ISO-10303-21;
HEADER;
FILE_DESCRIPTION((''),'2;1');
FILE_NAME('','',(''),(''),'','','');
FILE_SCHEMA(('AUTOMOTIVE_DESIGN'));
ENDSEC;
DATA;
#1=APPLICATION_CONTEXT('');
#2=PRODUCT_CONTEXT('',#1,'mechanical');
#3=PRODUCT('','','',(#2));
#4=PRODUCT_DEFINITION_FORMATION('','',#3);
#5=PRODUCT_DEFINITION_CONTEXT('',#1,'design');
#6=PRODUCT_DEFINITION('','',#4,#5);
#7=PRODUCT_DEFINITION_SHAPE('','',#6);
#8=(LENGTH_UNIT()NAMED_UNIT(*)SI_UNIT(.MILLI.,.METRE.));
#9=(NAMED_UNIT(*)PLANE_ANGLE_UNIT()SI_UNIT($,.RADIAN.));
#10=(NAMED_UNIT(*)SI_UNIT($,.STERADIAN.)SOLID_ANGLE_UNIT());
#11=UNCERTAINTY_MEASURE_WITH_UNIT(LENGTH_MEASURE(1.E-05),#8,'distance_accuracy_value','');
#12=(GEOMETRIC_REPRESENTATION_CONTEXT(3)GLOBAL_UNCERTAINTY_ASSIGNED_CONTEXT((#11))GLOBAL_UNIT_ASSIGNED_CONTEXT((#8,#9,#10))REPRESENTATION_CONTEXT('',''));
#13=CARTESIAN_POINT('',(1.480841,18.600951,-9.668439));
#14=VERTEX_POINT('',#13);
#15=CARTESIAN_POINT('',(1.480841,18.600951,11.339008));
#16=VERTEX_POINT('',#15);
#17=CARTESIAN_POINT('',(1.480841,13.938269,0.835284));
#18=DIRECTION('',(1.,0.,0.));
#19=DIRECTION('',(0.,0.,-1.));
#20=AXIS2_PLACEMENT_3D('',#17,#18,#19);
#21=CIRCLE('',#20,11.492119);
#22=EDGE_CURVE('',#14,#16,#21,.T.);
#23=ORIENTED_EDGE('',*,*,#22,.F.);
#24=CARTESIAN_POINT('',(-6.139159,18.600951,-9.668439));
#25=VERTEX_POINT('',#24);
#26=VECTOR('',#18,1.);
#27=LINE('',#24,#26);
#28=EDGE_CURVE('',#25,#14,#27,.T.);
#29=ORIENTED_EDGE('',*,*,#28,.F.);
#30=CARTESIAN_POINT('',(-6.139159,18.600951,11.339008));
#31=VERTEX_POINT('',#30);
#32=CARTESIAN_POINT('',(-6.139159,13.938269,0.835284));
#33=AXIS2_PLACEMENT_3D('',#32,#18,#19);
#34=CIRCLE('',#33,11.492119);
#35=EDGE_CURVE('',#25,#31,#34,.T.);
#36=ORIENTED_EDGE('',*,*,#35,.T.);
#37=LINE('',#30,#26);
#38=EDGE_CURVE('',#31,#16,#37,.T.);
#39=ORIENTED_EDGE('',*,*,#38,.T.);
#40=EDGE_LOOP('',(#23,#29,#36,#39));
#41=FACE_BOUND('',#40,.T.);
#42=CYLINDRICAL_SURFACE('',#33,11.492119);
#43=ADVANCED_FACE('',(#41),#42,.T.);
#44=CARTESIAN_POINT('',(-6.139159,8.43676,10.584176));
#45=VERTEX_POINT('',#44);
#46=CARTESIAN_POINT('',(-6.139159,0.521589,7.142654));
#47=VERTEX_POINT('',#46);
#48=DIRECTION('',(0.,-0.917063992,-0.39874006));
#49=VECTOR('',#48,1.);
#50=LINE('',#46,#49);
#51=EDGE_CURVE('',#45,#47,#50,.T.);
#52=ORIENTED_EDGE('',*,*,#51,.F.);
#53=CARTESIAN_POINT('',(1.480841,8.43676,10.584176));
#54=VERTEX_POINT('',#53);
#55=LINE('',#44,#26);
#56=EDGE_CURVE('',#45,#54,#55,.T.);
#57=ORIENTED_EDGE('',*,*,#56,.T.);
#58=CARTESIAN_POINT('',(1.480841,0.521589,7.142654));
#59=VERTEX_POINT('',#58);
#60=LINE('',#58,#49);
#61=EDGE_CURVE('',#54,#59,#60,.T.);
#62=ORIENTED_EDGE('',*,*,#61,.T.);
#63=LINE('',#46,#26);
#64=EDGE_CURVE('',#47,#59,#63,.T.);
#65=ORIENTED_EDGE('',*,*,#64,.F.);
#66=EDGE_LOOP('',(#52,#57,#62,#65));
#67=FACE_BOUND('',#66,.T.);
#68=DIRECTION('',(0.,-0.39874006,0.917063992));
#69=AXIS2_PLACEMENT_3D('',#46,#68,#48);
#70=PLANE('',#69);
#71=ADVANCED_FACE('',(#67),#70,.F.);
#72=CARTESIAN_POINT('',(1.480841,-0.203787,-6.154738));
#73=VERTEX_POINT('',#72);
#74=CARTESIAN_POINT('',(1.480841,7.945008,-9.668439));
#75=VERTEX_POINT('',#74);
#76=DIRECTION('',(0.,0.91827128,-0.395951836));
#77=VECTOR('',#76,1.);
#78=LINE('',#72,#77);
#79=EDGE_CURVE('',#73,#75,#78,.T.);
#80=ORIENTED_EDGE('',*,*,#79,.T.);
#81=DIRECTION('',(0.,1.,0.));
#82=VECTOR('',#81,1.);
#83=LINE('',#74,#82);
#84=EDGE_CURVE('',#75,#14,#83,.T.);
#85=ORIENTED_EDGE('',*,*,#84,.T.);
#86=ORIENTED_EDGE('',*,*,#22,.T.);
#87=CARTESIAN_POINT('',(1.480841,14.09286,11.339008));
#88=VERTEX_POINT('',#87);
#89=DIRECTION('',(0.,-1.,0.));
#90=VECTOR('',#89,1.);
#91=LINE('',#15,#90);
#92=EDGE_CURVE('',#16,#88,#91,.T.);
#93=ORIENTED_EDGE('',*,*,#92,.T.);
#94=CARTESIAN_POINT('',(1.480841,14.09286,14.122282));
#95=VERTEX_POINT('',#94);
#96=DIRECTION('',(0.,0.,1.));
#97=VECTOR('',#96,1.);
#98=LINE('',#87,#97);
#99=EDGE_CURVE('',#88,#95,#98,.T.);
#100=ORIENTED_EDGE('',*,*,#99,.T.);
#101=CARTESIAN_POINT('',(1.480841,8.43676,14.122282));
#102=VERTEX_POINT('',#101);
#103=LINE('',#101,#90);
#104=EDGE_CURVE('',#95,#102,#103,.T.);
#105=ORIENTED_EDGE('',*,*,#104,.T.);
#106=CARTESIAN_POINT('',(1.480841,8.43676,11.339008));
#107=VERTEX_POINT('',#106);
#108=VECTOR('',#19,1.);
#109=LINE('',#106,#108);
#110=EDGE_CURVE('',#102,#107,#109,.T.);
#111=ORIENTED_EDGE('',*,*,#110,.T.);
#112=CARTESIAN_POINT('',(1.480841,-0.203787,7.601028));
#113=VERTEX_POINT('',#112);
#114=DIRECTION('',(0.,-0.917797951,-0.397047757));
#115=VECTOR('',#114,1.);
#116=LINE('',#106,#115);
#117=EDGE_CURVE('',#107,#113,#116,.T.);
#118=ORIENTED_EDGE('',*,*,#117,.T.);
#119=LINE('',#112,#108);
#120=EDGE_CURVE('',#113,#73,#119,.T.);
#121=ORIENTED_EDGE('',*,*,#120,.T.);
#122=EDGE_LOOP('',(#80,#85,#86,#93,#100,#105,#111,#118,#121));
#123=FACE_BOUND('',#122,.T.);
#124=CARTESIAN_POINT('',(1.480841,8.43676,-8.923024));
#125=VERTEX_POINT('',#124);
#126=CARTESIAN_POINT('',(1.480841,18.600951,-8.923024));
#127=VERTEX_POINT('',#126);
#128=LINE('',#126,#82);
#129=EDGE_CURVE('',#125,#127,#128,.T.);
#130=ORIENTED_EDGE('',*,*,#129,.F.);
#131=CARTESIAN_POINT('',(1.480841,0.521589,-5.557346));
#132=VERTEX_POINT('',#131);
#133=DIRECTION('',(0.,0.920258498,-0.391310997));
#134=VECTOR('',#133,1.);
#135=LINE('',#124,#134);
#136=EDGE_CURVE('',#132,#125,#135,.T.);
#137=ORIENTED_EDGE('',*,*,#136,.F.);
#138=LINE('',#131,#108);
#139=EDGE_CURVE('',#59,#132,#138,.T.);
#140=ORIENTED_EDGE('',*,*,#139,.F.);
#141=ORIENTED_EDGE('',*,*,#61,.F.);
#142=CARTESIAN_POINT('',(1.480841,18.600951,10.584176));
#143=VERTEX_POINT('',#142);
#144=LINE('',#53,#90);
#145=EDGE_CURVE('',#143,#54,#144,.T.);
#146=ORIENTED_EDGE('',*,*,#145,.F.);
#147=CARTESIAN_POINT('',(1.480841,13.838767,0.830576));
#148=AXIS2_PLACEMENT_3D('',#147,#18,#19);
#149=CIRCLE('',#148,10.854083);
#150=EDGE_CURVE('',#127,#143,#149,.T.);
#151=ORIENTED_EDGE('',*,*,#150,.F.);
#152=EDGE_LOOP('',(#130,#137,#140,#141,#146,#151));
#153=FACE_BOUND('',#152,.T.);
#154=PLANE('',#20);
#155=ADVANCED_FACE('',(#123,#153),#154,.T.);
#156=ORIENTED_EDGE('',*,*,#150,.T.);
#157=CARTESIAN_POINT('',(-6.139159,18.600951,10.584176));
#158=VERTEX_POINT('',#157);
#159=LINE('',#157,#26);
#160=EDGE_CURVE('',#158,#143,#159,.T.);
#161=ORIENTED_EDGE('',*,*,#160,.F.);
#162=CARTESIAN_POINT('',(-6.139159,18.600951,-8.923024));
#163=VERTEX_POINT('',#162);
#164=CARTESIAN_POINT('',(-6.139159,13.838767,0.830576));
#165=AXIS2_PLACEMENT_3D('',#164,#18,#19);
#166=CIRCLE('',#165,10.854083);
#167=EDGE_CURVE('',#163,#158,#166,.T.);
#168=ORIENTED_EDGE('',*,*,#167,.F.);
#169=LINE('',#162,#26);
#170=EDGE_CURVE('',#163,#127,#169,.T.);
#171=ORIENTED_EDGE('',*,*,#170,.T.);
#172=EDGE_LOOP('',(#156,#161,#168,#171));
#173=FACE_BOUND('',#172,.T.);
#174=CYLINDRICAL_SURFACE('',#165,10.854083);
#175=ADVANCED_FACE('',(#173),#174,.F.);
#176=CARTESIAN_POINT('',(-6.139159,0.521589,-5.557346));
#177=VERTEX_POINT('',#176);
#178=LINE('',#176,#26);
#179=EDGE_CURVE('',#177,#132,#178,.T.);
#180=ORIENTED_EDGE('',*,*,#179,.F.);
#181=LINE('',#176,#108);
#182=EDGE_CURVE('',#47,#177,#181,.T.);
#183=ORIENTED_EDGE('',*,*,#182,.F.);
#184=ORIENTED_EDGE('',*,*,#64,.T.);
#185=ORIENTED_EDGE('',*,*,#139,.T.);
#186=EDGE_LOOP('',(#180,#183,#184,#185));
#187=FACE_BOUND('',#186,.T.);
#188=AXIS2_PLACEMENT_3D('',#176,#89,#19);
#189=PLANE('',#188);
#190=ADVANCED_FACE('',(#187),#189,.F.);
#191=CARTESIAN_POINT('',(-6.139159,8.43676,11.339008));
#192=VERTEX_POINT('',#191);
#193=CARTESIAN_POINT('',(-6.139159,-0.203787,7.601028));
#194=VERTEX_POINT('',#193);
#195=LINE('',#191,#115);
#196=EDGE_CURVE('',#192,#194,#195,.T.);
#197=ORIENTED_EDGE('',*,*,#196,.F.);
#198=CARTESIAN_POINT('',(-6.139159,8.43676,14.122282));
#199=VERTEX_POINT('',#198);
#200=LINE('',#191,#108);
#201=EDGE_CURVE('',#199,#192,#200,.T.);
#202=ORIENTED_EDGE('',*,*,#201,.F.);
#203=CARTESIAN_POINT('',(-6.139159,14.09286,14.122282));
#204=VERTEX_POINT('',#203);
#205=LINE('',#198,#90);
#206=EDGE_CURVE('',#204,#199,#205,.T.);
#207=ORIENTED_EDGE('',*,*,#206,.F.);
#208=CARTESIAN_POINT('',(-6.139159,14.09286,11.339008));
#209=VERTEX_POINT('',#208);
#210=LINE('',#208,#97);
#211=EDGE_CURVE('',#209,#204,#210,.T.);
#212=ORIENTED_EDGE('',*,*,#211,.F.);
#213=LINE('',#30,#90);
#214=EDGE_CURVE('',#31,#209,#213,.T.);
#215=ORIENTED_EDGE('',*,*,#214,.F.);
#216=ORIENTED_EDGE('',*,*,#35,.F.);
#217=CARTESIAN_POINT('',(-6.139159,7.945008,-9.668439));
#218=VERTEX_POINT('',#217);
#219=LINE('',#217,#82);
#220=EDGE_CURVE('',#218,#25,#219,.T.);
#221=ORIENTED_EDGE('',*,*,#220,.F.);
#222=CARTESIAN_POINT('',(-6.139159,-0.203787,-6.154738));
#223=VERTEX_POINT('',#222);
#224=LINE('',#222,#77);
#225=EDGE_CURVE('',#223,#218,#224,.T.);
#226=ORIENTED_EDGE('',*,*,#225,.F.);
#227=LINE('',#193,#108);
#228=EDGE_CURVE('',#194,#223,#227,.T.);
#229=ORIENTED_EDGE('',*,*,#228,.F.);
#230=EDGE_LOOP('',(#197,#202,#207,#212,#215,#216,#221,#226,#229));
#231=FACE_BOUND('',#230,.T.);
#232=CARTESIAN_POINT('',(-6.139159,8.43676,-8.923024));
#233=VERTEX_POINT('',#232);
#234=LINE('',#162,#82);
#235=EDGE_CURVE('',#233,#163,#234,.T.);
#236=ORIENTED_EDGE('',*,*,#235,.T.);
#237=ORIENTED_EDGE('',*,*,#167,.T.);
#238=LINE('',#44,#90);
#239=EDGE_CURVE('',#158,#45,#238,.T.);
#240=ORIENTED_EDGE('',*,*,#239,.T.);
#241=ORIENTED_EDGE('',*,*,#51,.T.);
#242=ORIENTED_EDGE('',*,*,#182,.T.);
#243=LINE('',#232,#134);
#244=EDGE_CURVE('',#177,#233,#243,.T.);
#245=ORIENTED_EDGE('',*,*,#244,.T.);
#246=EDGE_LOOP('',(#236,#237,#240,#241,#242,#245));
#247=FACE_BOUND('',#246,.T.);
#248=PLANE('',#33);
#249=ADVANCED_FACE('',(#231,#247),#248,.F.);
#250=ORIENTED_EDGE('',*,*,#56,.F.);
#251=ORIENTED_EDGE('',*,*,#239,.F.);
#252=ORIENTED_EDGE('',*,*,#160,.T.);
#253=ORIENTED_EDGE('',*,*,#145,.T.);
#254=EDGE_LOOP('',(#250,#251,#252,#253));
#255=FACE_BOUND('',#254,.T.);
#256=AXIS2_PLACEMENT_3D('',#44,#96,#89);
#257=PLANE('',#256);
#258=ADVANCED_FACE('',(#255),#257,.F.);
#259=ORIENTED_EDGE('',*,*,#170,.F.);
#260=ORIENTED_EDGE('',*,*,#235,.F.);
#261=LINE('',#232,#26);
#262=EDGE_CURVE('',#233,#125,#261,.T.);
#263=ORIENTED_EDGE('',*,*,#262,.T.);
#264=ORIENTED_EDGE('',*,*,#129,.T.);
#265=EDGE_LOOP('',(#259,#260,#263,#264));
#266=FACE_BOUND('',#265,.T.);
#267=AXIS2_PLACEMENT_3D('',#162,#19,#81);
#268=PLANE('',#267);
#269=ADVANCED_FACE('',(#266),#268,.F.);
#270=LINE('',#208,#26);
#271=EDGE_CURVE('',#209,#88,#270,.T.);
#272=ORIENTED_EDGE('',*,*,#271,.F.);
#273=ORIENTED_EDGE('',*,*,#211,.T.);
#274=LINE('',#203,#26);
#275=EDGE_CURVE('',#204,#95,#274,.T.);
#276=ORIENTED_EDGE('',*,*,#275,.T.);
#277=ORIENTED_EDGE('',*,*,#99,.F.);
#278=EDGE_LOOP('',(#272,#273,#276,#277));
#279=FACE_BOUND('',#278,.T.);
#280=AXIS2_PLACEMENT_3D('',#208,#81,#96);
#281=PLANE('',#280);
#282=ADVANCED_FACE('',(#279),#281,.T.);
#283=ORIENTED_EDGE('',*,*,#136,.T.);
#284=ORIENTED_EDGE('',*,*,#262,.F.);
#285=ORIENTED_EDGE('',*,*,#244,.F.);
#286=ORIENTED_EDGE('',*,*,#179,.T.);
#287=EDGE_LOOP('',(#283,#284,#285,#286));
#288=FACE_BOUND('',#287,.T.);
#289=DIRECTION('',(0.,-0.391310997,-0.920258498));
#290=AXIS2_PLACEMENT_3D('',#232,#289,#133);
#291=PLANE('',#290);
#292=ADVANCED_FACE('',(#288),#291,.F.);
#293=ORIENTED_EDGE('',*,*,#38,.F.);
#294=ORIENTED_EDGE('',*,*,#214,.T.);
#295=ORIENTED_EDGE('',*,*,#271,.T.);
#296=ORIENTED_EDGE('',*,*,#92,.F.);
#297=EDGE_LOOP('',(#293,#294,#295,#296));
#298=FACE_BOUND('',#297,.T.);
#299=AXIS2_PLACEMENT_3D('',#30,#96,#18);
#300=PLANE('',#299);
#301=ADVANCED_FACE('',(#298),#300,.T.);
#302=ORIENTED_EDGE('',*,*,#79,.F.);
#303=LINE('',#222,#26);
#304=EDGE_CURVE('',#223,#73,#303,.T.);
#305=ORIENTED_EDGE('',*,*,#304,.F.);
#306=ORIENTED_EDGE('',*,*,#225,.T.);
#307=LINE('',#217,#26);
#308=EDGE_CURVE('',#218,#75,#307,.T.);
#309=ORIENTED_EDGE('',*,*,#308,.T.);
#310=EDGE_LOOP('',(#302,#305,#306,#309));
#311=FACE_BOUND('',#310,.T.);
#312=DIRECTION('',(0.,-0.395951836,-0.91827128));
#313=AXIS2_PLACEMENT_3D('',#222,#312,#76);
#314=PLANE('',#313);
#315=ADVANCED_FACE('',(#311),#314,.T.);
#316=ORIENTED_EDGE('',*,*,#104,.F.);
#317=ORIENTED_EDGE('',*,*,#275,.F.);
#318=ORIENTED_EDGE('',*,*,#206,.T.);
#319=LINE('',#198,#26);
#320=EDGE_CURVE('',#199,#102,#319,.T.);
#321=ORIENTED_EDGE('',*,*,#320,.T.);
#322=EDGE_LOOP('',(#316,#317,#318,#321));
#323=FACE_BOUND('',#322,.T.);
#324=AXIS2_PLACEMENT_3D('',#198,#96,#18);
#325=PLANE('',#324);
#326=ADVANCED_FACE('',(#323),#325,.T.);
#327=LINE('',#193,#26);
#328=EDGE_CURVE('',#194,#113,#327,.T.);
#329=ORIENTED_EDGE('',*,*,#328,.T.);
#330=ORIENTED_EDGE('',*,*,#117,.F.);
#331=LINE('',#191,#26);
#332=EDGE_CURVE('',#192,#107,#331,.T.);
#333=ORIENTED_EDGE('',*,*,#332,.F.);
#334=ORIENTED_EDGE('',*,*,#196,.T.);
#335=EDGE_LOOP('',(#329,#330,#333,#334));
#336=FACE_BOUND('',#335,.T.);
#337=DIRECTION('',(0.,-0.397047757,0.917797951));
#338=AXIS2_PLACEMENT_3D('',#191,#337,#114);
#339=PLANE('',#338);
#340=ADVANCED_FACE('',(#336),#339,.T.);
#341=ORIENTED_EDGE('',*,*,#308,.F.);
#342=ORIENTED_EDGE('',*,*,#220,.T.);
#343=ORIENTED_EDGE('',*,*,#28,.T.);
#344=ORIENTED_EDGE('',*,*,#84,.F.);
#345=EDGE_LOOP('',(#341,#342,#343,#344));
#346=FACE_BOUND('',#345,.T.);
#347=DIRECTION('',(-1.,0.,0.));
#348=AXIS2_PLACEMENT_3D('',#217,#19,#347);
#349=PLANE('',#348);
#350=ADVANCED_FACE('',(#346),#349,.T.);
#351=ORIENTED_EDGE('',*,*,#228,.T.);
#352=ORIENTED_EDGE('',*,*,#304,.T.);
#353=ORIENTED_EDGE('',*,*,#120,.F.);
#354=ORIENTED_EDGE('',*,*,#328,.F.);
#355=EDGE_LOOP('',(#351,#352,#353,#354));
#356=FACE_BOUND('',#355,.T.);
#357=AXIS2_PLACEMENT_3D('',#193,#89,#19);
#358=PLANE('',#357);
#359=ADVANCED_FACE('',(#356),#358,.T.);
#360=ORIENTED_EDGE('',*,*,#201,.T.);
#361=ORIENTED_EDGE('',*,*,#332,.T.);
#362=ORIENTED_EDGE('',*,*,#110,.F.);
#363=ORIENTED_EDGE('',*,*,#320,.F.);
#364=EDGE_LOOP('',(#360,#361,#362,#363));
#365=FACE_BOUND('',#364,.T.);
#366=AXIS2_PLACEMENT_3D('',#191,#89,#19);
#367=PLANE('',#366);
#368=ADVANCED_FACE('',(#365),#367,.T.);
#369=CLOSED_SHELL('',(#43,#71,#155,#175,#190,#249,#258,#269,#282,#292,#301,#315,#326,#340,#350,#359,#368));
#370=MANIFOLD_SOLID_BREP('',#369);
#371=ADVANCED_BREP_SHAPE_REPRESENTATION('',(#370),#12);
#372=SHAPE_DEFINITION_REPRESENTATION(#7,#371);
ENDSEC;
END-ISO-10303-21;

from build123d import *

# Parameters (mm, degrees)
BOSS_EXTRUDE1_DEPTH      = 3.81
BOSS_EXTRUDE1_DEPTH_BACK = 3.81
SKETCH3_W                = 2.783274099
SKETCH3_H                = 5.656099036
BOSS_EXTRUDE2_DEPTH      = 7.62


with BuildPart() as part:
    # Sketch2 → Boss-Extrude1 (new, two sides: drawn at the far end of the back side and taken through both)
    with BuildSketch(Plane(origin=(-2.32915921, 0, 0), x_dir=(0, 0, -1), z_dir=(1, 0, 0)).offset(-BOSS_EXTRUDE1_DEPTH_BACK)):
        with BuildLine():
            Line((-11.339007657, 18.600950631), (-11.339007657, 8.436760495))
            Line((-11.339007657, 8.436760495), (-7.601027883, -0.203787431))
            Line((-7.601027883, -0.203787431), (6.154737684, -0.203787431))
            Line((6.154737684, -0.203787431), (9.668438671, 7.945008476))
            Line((9.668438671, 7.945008476), (9.668438671, 18.600950631))
            ThreePointArc((9.668438671, 18.600950631), (-0.835284493, 25.430388096), (-11.339007657, 18.600950631))
        make_face()
        with BuildLine():
            Line((8.923024063, 18.600950631), (8.923024063, 8.436760495))
            Line((8.923024063, 8.436760495), (5.557346164, 0.521588901))
            Line((5.557346164, 0.521588901), (-7.142653836, 0.521588901))
            Line((-7.142653836, 0.521588901), (-10.584175937, 8.436760495))
            Line((-10.584175937, 8.436760495), (-10.584175937, 18.600950631))
            ThreePointArc((-10.584175937, 18.600950631), (-0.830575937, 24.692849221), (8.923024063, 18.600950631))
        make_face(mode=Mode.SUBTRACT)
    extrude(amount=BOSS_EXTRUDE1_DEPTH + BOSS_EXTRUDE1_DEPTH_BACK)

    # Sketch3 → Boss-Extrude2 (add)
    with BuildSketch(Plane(origin=(1.48084079, 0, 0), x_dir=(0, 0, -1), z_dir=(1, 0, 0))):
        with Locations((-12.730644707, 11.264810013)):
            Rectangle(SKETCH3_W, SKETCH3_H)
    extrude(amount=-BOSS_EXTRUDE2_DEPTH)


solid = part.part
